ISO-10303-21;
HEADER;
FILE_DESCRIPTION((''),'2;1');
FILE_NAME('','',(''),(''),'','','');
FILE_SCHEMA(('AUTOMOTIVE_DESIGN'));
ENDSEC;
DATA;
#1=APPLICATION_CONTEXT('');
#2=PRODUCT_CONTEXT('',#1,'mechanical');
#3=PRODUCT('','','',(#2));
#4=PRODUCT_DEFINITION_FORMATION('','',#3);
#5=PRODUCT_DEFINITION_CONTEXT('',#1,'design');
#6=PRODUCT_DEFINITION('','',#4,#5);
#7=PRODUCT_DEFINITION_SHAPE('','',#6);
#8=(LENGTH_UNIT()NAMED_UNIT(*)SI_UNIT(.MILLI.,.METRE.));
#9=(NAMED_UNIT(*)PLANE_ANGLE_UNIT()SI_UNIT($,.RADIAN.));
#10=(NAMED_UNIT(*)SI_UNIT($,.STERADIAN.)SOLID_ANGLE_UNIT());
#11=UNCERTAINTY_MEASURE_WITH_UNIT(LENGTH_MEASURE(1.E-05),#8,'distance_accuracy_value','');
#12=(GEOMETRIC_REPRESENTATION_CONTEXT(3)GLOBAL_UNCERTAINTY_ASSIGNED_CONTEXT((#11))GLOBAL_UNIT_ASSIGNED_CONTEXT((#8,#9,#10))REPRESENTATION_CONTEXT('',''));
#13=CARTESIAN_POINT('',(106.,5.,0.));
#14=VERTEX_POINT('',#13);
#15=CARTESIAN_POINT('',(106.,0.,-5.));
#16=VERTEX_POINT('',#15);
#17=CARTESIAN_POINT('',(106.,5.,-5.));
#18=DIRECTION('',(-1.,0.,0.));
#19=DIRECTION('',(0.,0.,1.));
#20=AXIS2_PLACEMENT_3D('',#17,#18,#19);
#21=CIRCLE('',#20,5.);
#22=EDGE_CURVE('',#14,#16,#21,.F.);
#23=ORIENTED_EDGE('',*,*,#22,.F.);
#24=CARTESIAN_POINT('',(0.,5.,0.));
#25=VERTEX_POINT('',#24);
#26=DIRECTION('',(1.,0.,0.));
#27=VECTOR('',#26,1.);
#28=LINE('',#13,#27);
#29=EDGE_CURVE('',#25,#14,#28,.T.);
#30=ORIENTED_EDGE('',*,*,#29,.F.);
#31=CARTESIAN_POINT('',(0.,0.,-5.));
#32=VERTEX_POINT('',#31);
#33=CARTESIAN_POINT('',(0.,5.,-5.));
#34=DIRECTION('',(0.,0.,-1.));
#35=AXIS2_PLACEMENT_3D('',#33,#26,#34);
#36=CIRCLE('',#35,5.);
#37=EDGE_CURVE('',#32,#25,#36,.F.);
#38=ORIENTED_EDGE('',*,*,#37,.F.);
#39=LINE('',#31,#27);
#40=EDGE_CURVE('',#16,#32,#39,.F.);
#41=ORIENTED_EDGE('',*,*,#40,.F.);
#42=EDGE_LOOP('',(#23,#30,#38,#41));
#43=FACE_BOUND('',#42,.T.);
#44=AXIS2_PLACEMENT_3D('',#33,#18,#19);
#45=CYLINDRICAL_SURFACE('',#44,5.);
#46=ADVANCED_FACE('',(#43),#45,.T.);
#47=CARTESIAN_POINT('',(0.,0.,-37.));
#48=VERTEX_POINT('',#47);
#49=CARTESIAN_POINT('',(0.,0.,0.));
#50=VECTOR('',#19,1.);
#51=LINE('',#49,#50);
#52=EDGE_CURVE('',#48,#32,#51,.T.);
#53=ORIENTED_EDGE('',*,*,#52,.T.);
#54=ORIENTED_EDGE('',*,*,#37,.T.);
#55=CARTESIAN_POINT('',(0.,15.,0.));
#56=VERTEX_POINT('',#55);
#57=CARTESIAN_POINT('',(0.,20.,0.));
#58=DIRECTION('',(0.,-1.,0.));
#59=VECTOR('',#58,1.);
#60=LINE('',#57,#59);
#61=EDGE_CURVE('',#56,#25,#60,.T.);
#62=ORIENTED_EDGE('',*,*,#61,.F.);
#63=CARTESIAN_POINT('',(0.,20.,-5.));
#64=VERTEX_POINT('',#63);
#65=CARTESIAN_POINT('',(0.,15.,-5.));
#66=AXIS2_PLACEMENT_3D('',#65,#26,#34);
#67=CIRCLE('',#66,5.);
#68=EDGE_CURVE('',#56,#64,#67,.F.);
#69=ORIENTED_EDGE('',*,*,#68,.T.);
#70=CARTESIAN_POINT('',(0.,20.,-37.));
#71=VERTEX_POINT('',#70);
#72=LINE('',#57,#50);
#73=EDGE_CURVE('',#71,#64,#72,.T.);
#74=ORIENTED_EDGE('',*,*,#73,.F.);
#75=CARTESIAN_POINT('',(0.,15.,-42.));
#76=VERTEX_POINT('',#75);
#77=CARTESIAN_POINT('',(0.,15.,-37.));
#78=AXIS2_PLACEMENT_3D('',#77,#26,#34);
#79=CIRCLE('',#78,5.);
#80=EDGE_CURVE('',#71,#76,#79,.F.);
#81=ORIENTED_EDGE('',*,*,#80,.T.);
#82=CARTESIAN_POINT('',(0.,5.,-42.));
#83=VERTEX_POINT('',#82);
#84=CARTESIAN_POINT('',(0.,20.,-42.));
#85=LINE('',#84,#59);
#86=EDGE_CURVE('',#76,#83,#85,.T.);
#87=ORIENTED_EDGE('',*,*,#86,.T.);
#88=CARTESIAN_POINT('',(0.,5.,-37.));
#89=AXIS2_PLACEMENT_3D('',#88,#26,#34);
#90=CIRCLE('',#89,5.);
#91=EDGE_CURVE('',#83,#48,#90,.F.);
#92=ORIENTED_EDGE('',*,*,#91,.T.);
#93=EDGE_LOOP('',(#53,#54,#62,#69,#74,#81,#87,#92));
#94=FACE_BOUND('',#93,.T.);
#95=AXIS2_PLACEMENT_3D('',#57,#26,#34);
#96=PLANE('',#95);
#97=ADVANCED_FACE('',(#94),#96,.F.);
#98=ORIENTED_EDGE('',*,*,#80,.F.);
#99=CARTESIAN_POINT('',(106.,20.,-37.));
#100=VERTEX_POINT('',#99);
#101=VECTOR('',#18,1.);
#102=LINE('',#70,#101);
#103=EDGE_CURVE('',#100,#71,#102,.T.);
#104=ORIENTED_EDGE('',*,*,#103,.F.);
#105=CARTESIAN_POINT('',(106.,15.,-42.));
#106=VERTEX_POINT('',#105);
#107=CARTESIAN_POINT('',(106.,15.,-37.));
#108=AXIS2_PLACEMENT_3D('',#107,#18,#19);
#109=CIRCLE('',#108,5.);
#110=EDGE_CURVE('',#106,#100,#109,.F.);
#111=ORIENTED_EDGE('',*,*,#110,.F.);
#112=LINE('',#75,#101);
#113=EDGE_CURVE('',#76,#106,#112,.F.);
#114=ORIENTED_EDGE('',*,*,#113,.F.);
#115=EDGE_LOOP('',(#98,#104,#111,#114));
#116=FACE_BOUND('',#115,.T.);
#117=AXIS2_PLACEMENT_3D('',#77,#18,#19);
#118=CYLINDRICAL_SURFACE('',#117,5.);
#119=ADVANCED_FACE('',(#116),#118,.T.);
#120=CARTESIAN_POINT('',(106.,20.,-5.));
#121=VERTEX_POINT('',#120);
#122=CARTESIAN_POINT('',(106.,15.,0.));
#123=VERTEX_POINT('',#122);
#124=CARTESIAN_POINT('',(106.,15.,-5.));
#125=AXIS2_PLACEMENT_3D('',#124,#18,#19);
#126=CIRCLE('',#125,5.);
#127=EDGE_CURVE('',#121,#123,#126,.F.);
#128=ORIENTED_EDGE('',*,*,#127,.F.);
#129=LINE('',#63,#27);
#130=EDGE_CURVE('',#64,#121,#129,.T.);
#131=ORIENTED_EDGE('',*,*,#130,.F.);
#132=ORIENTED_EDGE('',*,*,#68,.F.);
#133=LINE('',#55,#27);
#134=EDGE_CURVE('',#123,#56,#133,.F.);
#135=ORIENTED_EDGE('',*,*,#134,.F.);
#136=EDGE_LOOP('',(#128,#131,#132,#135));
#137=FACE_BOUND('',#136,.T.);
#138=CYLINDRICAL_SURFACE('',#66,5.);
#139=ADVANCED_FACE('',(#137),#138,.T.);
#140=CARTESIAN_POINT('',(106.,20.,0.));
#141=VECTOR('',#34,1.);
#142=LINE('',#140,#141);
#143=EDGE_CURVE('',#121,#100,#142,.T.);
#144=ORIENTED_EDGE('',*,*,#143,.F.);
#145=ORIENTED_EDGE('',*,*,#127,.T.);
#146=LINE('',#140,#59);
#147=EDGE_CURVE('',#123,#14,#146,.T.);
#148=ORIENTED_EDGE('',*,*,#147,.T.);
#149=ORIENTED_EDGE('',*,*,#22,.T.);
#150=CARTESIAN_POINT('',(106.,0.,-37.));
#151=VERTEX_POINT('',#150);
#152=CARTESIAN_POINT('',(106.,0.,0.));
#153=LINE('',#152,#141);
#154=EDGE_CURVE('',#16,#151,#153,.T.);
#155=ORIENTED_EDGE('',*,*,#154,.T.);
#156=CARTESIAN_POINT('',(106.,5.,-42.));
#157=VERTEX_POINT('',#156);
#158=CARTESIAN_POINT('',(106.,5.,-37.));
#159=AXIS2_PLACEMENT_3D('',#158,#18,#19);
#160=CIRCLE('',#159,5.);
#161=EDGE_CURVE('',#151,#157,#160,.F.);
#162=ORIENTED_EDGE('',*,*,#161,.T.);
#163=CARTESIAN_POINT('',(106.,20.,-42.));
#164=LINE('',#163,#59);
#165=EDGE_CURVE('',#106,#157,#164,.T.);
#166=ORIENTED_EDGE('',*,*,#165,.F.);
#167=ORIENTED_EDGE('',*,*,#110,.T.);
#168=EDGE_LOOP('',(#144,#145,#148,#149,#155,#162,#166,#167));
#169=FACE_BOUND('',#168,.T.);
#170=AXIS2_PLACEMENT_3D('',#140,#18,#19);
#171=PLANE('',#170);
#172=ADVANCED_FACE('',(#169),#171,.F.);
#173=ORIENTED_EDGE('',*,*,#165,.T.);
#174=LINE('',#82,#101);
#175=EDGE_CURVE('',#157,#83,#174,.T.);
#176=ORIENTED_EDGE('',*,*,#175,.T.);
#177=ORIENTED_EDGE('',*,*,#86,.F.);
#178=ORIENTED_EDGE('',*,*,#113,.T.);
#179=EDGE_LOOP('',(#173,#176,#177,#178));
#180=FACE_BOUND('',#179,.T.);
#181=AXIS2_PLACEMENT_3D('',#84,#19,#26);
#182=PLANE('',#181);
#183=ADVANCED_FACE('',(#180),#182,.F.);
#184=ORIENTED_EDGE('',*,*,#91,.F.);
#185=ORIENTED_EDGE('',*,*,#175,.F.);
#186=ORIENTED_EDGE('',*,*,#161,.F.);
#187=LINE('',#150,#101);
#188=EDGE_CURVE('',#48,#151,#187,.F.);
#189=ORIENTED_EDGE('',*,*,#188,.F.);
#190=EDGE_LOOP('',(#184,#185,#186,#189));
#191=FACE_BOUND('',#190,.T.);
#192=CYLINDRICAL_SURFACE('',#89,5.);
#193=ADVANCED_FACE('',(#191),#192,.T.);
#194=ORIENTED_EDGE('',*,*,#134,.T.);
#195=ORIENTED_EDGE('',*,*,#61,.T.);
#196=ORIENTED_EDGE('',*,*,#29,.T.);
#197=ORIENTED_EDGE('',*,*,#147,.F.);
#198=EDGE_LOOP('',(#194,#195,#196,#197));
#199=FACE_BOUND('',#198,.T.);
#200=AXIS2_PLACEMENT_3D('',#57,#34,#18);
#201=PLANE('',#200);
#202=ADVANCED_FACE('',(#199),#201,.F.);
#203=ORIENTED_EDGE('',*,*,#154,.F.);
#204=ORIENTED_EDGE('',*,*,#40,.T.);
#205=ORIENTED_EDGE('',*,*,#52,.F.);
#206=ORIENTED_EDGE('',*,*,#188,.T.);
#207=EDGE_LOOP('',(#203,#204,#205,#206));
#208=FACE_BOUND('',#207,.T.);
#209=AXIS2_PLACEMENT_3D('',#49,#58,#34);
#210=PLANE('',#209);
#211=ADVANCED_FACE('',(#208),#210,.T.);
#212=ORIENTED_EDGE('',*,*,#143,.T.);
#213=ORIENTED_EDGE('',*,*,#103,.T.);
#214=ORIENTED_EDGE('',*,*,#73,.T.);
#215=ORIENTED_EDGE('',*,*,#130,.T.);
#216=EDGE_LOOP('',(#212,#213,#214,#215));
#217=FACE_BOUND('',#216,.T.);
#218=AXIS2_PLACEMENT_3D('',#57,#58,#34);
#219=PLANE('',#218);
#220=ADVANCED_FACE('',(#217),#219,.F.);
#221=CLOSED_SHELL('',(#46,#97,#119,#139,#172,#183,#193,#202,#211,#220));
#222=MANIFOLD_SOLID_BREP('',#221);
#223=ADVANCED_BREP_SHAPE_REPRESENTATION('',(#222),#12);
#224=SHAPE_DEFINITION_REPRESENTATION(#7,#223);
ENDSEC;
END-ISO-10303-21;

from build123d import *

# Parameters (mm, degrees)
SKETCH_1_W      = 106
SKETCH_1_H      = 42
EXTRUDE_1_DEPTH = 20
FILLET_1_R      = 5


with BuildPart() as part:
    # 草图1 → 凸台-拉伸1 (new body)
    with BuildSketch(Plane(origin=(0, 0, 0), x_dir=(1, 0, 0), z_dir=(0, 1, 0))):
        with Locations((53, 21)):
            Rectangle(SKETCH_1_W, SKETCH_1_H)
    extrude(amount=EXTRUDE_1_DEPTH)

    # 圆角1
    fillet_1_edges = [part.edges().sort_by_distance(p)[0] for p in [
        (53, 20, -42),
        (53, 0, -42),
        (53, 0, 0),
        (53, 20, 0),
    ]]
    fillet(fillet_1_edges, radius=FILLET_1_R)


solid = part.part
